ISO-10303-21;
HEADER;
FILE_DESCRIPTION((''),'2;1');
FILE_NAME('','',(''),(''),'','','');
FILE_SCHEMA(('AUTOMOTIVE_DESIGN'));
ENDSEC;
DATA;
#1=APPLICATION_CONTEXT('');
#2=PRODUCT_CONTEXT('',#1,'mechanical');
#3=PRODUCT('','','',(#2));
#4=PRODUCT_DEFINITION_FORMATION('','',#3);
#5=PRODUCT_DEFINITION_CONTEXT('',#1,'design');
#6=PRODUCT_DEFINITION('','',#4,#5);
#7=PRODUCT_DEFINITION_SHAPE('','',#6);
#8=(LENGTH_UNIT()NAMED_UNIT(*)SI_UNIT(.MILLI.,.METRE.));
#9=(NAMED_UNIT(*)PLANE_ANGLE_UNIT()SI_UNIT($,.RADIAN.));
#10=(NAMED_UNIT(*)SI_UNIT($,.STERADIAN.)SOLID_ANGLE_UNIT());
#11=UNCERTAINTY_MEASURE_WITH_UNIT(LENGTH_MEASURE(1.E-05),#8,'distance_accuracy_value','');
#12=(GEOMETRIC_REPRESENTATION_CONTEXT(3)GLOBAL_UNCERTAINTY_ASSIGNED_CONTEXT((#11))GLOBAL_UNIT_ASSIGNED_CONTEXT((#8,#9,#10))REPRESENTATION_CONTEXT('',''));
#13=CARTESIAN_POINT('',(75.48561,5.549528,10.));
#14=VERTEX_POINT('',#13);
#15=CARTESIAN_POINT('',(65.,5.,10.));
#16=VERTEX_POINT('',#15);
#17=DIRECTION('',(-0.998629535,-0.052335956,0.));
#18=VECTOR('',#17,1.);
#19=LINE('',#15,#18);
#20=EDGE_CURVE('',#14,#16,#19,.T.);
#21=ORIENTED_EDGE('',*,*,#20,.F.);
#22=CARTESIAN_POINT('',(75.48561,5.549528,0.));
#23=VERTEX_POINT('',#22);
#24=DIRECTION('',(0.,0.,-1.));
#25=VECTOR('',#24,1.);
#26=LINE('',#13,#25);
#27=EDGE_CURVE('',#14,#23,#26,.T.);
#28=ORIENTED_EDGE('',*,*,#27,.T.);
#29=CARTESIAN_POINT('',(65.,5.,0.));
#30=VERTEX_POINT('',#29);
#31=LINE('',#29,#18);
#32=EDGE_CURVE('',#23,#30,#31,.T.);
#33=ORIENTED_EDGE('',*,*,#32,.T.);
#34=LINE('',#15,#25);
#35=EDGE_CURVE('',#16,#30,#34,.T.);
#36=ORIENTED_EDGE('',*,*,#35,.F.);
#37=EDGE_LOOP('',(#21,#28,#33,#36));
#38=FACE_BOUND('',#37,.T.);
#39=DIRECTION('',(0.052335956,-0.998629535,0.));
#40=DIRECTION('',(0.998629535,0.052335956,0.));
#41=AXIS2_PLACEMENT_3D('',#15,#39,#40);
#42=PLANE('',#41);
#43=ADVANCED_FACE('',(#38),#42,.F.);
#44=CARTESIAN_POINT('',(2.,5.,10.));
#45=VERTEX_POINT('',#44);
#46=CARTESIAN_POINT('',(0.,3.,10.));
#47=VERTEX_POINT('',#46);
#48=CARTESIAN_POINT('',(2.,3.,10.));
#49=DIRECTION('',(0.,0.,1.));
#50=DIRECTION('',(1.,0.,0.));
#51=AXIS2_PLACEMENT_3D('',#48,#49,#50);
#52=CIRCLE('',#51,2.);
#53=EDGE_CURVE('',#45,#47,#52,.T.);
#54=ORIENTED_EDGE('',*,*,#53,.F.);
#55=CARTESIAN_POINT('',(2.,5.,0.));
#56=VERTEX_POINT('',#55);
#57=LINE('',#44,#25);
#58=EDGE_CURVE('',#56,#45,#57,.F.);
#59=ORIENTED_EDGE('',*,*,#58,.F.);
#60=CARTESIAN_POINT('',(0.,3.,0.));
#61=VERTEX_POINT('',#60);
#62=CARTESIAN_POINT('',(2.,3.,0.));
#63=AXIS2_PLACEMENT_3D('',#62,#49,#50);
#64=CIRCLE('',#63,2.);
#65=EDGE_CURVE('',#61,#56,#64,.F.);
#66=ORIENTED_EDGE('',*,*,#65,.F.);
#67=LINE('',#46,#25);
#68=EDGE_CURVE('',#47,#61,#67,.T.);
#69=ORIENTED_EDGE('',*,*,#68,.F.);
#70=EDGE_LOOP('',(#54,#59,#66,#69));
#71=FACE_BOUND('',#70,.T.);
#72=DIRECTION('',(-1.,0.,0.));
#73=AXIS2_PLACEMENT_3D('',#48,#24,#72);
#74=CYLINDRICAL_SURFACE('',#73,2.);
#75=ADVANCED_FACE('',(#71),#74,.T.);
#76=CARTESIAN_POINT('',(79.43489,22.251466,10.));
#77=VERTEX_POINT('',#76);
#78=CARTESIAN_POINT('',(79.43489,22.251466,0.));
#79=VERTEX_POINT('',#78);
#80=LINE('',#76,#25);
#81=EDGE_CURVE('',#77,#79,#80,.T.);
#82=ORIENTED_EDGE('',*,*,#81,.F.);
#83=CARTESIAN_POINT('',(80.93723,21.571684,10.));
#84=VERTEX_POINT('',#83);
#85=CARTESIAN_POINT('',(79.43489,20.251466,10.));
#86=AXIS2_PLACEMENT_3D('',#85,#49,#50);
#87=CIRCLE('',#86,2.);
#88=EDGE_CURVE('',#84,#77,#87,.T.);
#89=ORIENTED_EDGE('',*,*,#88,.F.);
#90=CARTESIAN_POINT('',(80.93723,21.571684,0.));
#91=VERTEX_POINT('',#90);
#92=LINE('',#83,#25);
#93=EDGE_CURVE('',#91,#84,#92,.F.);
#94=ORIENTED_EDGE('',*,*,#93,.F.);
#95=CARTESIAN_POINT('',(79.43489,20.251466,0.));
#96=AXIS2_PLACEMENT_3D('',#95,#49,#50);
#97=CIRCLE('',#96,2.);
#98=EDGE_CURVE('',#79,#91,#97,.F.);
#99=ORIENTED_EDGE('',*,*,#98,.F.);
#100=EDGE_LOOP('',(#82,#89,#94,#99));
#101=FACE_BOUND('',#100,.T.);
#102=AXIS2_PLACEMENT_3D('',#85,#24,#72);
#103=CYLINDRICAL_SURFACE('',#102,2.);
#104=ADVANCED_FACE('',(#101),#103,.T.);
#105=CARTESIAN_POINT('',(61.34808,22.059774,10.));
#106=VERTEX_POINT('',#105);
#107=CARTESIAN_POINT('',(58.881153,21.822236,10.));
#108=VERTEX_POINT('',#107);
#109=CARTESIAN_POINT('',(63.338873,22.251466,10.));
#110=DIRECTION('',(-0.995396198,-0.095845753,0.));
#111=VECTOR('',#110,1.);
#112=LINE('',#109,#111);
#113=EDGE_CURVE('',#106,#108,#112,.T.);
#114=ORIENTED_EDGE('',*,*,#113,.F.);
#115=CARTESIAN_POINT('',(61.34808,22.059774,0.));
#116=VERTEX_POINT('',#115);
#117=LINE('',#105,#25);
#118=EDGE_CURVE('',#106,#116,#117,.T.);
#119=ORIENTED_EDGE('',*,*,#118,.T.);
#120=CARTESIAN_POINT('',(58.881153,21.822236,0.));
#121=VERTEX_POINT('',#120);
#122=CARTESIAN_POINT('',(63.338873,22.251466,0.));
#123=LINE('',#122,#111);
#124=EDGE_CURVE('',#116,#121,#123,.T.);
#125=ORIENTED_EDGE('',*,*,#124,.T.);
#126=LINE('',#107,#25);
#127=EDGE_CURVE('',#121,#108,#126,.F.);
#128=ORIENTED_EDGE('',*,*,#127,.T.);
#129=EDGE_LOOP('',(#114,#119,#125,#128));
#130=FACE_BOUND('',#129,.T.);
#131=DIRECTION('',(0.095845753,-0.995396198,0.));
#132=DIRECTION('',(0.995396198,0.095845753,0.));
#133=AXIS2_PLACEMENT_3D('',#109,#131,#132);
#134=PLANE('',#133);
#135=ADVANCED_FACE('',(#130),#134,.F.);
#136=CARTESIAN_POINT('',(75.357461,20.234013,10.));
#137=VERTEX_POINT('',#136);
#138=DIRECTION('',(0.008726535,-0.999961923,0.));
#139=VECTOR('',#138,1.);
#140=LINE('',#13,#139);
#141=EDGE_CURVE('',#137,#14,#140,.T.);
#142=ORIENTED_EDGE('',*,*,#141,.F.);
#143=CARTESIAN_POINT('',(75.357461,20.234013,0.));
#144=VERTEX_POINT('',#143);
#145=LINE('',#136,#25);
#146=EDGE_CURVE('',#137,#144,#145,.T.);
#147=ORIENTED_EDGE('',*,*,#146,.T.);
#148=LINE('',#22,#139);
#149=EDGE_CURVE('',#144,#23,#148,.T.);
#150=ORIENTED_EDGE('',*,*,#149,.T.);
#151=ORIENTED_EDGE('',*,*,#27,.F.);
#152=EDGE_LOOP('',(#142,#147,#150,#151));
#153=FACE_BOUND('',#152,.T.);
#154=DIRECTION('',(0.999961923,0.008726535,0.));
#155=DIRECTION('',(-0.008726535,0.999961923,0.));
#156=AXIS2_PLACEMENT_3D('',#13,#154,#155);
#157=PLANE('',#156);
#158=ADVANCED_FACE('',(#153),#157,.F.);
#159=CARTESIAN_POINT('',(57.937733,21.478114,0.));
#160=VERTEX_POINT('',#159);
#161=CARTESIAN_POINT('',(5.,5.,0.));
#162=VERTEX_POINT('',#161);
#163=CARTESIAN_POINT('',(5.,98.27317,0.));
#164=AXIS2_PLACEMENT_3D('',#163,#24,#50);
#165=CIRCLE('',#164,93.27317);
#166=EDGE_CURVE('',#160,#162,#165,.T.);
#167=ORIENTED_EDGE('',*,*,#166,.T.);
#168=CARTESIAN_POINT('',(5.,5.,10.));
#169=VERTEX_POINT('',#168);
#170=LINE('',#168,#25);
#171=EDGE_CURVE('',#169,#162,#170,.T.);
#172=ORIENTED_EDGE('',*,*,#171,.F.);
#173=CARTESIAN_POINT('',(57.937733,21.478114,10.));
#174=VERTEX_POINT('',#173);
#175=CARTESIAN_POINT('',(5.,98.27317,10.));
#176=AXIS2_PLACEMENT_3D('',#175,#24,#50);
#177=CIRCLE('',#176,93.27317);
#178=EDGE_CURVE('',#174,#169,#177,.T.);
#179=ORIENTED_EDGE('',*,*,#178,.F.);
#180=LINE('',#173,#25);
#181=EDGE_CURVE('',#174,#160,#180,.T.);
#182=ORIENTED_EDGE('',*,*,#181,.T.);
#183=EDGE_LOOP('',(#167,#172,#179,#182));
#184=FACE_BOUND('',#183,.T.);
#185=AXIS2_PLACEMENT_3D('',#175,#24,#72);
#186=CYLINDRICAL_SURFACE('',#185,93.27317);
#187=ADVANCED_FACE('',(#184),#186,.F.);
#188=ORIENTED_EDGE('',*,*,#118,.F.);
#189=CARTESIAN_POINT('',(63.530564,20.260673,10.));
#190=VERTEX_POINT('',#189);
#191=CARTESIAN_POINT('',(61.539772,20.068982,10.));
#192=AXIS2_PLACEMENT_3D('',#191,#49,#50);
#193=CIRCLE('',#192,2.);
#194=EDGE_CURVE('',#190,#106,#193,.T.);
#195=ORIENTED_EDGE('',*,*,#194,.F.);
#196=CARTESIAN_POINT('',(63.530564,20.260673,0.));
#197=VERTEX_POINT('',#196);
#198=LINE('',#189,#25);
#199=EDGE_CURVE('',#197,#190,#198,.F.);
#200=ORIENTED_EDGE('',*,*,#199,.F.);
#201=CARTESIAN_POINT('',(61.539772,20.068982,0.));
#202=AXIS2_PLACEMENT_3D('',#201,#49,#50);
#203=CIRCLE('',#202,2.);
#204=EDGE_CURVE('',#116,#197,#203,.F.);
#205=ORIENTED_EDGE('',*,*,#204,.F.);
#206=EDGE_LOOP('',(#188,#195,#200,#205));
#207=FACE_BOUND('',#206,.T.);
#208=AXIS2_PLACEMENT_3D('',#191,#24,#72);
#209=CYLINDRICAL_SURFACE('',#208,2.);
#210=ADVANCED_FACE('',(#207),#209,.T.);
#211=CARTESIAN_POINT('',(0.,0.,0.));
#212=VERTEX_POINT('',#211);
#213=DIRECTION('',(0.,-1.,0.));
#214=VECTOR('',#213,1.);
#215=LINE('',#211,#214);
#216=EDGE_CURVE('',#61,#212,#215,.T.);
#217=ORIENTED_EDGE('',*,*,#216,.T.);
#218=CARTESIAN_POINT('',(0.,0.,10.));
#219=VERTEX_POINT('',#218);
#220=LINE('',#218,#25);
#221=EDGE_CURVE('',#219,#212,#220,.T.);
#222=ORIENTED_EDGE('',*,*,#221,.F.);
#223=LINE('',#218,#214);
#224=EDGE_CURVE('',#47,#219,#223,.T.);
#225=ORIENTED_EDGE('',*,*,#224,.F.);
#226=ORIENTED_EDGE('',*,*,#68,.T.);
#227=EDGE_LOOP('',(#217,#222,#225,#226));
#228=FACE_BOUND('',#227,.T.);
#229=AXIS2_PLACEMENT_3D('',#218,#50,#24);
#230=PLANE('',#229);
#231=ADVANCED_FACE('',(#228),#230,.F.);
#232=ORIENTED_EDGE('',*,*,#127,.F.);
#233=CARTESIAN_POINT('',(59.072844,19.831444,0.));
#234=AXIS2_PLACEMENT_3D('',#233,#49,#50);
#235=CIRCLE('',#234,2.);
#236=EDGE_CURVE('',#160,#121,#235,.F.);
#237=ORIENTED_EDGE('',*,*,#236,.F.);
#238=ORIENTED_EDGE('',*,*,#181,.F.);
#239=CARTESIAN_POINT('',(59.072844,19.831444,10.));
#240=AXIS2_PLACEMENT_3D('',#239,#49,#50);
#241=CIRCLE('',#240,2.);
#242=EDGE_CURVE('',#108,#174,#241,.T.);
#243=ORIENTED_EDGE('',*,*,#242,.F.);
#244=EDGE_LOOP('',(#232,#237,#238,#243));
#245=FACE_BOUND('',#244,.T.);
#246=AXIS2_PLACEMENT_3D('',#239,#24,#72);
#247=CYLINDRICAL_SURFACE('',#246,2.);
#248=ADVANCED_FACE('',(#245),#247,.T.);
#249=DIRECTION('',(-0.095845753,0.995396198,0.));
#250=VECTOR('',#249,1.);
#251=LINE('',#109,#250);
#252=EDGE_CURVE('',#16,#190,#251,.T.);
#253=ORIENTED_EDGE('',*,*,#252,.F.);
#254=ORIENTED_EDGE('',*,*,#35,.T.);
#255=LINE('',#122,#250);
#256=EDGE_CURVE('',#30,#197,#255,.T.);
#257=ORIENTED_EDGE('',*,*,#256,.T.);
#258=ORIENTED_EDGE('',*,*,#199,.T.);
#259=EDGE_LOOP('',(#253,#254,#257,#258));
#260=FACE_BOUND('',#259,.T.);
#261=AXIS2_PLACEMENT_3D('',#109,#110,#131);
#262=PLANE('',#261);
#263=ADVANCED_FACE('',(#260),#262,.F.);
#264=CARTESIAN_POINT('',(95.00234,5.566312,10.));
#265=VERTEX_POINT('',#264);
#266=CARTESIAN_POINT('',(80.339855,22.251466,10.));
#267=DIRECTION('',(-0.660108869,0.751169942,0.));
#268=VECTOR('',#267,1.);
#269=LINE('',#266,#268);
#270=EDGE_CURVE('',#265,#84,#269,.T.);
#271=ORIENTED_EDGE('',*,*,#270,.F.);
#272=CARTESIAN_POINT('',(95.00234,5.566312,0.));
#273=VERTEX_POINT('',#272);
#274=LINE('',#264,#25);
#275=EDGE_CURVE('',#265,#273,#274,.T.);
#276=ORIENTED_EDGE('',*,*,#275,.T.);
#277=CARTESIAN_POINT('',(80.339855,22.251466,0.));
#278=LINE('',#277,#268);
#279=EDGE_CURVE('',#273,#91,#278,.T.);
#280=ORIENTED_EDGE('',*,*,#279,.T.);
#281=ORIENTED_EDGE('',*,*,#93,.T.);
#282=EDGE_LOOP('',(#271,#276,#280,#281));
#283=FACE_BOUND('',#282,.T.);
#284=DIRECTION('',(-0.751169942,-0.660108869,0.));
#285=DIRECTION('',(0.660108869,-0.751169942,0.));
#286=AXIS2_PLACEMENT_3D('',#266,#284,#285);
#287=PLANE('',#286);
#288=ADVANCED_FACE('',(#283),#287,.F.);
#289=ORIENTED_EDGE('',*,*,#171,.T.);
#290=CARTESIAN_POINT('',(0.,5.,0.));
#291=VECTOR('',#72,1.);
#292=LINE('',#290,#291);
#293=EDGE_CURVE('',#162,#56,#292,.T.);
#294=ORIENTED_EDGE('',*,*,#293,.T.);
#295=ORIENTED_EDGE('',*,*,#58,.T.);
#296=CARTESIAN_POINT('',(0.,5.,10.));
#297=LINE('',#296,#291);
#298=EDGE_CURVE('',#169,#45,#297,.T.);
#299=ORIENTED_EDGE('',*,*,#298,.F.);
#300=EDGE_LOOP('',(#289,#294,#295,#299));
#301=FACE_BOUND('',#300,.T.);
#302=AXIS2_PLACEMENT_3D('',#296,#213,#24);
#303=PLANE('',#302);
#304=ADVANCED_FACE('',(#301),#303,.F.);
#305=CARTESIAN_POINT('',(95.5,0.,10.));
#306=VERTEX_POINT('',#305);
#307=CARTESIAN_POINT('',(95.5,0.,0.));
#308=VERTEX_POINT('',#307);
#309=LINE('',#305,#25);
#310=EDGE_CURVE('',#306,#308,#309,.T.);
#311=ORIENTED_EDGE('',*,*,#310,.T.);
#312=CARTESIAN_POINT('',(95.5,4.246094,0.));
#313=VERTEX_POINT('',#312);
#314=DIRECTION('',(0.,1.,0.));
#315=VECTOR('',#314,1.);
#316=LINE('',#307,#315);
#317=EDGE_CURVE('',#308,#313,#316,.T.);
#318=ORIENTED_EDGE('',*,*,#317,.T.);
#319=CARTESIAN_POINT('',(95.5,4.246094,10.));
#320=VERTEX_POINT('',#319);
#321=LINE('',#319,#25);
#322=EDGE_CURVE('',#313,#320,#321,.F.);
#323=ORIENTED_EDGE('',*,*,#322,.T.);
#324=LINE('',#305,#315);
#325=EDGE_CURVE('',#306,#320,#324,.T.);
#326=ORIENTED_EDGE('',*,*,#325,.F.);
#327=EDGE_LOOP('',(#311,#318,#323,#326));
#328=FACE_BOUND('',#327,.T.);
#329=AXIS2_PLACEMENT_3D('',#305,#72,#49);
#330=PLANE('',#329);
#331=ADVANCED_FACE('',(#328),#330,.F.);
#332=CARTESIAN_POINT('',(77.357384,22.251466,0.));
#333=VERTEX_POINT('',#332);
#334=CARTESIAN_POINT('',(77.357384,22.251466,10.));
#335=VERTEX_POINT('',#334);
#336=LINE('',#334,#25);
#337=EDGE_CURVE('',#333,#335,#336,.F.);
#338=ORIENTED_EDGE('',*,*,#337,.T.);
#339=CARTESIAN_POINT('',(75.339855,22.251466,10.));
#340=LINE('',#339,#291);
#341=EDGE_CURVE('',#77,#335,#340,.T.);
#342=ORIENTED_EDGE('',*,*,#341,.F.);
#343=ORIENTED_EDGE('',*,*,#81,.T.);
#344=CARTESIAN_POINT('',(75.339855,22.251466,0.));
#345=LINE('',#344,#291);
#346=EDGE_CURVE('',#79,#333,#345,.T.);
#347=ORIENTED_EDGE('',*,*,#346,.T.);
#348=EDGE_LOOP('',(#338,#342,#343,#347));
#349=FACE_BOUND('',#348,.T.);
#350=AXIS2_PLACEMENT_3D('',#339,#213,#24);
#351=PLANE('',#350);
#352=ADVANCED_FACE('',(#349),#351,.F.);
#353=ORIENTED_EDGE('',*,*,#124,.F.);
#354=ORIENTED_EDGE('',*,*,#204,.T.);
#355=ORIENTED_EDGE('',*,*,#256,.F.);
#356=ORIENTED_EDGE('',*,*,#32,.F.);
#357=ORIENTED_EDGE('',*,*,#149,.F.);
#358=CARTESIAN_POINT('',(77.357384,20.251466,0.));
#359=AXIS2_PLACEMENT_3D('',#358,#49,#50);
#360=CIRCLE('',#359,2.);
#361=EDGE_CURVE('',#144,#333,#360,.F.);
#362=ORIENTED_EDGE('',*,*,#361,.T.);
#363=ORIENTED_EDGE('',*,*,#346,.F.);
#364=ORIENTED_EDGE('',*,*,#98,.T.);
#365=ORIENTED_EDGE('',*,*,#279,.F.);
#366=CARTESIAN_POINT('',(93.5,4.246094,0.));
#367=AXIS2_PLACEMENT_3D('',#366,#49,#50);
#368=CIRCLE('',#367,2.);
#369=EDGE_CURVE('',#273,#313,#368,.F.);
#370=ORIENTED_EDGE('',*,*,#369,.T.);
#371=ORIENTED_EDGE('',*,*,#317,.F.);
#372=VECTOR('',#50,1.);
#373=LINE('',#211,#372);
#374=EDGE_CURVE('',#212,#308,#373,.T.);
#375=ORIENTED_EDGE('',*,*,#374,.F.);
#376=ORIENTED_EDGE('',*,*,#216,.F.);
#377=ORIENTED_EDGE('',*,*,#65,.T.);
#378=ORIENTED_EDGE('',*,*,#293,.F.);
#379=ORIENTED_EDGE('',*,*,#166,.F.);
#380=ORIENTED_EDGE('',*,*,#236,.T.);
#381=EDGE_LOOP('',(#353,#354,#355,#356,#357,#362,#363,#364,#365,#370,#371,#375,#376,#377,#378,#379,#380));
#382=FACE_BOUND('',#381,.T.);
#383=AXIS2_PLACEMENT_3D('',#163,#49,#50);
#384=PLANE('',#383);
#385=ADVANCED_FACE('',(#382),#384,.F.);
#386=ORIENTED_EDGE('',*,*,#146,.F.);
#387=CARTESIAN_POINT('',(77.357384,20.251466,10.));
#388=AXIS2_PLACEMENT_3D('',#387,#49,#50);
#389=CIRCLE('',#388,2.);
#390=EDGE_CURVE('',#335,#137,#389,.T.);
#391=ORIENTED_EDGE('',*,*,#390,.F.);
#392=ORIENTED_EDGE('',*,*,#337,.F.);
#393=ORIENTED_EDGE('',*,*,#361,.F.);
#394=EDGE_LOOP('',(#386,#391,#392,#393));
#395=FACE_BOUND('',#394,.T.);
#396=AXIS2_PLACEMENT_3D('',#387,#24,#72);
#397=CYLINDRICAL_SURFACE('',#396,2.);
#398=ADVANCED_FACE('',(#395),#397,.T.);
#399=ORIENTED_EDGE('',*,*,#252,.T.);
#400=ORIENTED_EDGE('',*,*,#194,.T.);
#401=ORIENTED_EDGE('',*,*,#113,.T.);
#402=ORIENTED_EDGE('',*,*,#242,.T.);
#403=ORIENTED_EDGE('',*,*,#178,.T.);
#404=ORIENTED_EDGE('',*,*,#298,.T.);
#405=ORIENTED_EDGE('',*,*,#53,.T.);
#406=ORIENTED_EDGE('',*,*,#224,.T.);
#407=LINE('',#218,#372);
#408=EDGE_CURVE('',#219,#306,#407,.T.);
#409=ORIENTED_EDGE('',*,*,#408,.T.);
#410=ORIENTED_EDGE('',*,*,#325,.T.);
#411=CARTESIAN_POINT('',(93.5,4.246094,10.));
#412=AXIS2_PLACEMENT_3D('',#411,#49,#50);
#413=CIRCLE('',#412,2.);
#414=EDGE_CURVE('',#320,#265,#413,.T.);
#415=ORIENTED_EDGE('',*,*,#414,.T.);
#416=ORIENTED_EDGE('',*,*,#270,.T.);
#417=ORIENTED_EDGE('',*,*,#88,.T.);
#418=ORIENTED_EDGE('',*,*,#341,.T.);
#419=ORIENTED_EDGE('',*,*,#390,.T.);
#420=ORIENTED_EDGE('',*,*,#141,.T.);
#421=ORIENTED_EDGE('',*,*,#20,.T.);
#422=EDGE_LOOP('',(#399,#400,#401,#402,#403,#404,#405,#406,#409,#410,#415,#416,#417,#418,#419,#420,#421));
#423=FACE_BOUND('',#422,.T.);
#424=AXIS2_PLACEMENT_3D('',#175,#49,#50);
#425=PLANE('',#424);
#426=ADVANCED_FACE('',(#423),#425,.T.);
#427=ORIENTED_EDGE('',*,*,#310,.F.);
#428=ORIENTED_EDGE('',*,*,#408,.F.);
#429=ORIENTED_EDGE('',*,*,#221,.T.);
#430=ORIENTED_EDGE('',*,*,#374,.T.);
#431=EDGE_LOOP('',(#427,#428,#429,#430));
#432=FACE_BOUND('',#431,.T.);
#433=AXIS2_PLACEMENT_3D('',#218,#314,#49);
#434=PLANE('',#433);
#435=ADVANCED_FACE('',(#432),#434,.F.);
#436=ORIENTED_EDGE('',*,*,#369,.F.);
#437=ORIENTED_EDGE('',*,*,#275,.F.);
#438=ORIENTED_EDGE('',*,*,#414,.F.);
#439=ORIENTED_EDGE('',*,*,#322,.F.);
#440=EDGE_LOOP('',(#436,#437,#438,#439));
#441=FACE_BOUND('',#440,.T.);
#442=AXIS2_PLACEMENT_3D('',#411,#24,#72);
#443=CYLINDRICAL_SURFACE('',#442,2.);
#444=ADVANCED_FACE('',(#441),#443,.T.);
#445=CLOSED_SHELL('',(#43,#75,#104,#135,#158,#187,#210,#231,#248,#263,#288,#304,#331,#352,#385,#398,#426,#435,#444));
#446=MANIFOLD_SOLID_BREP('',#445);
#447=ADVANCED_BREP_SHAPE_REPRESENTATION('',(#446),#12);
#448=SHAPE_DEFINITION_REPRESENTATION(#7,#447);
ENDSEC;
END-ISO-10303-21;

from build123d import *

# Parameters (mm, degrees)
BOSS_EXTRU_1_DEPTH = 10
CONG_1_R           = 2


with BuildPart() as part:
    # Esquisse1 → Boss.-Extru.1 (new body)
    with BuildSketch(Plane.XY):
        with BuildLine():
            Line((0, 0), (95.5, 0))
            Line((95.5, 0), (95.5, 5))
            Line((95.5, 5), (80.339854507, 22.251465861))
            Line((80.339854507, 22.251465861), (75.339854507, 22.251465861))
            Line((75.339854507, 22.251465861), (75.485610115, 5.549527541))
            Line((75.485610115, 5.549527541), (65, 5))
            Line((65, 5), (63.338872772, 22.251465861))
            Line((63.338872772, 22.251465861), (58.36189178, 21.772237099))
            ThreePointArc((58.36189178, 21.772237099), (32.967836132, 9.291799024), (5, 5))
            Line((5, 5), (0, 5))
            Line((0, 5), (0, 0))
        make_face()
    extrude(amount=BOSS_EXTRU_1_DEPTH)

    # Congé1
    cong_1_edges = [part.edges().sort_by_distance(p)[0] for p in [
        (0, 5, 5),
        (58.36189178, 21.772237099, 5),
        (63.338872772, 22.251465861, 5),
        (75.339854507, 22.251465861, 5),
        (80.339854507, 22.251465861, 5),
        (95.5, 5, 5),
    ]]
    fillet(cong_1_edges, radius=CONG_1_R)


solid = part.part
